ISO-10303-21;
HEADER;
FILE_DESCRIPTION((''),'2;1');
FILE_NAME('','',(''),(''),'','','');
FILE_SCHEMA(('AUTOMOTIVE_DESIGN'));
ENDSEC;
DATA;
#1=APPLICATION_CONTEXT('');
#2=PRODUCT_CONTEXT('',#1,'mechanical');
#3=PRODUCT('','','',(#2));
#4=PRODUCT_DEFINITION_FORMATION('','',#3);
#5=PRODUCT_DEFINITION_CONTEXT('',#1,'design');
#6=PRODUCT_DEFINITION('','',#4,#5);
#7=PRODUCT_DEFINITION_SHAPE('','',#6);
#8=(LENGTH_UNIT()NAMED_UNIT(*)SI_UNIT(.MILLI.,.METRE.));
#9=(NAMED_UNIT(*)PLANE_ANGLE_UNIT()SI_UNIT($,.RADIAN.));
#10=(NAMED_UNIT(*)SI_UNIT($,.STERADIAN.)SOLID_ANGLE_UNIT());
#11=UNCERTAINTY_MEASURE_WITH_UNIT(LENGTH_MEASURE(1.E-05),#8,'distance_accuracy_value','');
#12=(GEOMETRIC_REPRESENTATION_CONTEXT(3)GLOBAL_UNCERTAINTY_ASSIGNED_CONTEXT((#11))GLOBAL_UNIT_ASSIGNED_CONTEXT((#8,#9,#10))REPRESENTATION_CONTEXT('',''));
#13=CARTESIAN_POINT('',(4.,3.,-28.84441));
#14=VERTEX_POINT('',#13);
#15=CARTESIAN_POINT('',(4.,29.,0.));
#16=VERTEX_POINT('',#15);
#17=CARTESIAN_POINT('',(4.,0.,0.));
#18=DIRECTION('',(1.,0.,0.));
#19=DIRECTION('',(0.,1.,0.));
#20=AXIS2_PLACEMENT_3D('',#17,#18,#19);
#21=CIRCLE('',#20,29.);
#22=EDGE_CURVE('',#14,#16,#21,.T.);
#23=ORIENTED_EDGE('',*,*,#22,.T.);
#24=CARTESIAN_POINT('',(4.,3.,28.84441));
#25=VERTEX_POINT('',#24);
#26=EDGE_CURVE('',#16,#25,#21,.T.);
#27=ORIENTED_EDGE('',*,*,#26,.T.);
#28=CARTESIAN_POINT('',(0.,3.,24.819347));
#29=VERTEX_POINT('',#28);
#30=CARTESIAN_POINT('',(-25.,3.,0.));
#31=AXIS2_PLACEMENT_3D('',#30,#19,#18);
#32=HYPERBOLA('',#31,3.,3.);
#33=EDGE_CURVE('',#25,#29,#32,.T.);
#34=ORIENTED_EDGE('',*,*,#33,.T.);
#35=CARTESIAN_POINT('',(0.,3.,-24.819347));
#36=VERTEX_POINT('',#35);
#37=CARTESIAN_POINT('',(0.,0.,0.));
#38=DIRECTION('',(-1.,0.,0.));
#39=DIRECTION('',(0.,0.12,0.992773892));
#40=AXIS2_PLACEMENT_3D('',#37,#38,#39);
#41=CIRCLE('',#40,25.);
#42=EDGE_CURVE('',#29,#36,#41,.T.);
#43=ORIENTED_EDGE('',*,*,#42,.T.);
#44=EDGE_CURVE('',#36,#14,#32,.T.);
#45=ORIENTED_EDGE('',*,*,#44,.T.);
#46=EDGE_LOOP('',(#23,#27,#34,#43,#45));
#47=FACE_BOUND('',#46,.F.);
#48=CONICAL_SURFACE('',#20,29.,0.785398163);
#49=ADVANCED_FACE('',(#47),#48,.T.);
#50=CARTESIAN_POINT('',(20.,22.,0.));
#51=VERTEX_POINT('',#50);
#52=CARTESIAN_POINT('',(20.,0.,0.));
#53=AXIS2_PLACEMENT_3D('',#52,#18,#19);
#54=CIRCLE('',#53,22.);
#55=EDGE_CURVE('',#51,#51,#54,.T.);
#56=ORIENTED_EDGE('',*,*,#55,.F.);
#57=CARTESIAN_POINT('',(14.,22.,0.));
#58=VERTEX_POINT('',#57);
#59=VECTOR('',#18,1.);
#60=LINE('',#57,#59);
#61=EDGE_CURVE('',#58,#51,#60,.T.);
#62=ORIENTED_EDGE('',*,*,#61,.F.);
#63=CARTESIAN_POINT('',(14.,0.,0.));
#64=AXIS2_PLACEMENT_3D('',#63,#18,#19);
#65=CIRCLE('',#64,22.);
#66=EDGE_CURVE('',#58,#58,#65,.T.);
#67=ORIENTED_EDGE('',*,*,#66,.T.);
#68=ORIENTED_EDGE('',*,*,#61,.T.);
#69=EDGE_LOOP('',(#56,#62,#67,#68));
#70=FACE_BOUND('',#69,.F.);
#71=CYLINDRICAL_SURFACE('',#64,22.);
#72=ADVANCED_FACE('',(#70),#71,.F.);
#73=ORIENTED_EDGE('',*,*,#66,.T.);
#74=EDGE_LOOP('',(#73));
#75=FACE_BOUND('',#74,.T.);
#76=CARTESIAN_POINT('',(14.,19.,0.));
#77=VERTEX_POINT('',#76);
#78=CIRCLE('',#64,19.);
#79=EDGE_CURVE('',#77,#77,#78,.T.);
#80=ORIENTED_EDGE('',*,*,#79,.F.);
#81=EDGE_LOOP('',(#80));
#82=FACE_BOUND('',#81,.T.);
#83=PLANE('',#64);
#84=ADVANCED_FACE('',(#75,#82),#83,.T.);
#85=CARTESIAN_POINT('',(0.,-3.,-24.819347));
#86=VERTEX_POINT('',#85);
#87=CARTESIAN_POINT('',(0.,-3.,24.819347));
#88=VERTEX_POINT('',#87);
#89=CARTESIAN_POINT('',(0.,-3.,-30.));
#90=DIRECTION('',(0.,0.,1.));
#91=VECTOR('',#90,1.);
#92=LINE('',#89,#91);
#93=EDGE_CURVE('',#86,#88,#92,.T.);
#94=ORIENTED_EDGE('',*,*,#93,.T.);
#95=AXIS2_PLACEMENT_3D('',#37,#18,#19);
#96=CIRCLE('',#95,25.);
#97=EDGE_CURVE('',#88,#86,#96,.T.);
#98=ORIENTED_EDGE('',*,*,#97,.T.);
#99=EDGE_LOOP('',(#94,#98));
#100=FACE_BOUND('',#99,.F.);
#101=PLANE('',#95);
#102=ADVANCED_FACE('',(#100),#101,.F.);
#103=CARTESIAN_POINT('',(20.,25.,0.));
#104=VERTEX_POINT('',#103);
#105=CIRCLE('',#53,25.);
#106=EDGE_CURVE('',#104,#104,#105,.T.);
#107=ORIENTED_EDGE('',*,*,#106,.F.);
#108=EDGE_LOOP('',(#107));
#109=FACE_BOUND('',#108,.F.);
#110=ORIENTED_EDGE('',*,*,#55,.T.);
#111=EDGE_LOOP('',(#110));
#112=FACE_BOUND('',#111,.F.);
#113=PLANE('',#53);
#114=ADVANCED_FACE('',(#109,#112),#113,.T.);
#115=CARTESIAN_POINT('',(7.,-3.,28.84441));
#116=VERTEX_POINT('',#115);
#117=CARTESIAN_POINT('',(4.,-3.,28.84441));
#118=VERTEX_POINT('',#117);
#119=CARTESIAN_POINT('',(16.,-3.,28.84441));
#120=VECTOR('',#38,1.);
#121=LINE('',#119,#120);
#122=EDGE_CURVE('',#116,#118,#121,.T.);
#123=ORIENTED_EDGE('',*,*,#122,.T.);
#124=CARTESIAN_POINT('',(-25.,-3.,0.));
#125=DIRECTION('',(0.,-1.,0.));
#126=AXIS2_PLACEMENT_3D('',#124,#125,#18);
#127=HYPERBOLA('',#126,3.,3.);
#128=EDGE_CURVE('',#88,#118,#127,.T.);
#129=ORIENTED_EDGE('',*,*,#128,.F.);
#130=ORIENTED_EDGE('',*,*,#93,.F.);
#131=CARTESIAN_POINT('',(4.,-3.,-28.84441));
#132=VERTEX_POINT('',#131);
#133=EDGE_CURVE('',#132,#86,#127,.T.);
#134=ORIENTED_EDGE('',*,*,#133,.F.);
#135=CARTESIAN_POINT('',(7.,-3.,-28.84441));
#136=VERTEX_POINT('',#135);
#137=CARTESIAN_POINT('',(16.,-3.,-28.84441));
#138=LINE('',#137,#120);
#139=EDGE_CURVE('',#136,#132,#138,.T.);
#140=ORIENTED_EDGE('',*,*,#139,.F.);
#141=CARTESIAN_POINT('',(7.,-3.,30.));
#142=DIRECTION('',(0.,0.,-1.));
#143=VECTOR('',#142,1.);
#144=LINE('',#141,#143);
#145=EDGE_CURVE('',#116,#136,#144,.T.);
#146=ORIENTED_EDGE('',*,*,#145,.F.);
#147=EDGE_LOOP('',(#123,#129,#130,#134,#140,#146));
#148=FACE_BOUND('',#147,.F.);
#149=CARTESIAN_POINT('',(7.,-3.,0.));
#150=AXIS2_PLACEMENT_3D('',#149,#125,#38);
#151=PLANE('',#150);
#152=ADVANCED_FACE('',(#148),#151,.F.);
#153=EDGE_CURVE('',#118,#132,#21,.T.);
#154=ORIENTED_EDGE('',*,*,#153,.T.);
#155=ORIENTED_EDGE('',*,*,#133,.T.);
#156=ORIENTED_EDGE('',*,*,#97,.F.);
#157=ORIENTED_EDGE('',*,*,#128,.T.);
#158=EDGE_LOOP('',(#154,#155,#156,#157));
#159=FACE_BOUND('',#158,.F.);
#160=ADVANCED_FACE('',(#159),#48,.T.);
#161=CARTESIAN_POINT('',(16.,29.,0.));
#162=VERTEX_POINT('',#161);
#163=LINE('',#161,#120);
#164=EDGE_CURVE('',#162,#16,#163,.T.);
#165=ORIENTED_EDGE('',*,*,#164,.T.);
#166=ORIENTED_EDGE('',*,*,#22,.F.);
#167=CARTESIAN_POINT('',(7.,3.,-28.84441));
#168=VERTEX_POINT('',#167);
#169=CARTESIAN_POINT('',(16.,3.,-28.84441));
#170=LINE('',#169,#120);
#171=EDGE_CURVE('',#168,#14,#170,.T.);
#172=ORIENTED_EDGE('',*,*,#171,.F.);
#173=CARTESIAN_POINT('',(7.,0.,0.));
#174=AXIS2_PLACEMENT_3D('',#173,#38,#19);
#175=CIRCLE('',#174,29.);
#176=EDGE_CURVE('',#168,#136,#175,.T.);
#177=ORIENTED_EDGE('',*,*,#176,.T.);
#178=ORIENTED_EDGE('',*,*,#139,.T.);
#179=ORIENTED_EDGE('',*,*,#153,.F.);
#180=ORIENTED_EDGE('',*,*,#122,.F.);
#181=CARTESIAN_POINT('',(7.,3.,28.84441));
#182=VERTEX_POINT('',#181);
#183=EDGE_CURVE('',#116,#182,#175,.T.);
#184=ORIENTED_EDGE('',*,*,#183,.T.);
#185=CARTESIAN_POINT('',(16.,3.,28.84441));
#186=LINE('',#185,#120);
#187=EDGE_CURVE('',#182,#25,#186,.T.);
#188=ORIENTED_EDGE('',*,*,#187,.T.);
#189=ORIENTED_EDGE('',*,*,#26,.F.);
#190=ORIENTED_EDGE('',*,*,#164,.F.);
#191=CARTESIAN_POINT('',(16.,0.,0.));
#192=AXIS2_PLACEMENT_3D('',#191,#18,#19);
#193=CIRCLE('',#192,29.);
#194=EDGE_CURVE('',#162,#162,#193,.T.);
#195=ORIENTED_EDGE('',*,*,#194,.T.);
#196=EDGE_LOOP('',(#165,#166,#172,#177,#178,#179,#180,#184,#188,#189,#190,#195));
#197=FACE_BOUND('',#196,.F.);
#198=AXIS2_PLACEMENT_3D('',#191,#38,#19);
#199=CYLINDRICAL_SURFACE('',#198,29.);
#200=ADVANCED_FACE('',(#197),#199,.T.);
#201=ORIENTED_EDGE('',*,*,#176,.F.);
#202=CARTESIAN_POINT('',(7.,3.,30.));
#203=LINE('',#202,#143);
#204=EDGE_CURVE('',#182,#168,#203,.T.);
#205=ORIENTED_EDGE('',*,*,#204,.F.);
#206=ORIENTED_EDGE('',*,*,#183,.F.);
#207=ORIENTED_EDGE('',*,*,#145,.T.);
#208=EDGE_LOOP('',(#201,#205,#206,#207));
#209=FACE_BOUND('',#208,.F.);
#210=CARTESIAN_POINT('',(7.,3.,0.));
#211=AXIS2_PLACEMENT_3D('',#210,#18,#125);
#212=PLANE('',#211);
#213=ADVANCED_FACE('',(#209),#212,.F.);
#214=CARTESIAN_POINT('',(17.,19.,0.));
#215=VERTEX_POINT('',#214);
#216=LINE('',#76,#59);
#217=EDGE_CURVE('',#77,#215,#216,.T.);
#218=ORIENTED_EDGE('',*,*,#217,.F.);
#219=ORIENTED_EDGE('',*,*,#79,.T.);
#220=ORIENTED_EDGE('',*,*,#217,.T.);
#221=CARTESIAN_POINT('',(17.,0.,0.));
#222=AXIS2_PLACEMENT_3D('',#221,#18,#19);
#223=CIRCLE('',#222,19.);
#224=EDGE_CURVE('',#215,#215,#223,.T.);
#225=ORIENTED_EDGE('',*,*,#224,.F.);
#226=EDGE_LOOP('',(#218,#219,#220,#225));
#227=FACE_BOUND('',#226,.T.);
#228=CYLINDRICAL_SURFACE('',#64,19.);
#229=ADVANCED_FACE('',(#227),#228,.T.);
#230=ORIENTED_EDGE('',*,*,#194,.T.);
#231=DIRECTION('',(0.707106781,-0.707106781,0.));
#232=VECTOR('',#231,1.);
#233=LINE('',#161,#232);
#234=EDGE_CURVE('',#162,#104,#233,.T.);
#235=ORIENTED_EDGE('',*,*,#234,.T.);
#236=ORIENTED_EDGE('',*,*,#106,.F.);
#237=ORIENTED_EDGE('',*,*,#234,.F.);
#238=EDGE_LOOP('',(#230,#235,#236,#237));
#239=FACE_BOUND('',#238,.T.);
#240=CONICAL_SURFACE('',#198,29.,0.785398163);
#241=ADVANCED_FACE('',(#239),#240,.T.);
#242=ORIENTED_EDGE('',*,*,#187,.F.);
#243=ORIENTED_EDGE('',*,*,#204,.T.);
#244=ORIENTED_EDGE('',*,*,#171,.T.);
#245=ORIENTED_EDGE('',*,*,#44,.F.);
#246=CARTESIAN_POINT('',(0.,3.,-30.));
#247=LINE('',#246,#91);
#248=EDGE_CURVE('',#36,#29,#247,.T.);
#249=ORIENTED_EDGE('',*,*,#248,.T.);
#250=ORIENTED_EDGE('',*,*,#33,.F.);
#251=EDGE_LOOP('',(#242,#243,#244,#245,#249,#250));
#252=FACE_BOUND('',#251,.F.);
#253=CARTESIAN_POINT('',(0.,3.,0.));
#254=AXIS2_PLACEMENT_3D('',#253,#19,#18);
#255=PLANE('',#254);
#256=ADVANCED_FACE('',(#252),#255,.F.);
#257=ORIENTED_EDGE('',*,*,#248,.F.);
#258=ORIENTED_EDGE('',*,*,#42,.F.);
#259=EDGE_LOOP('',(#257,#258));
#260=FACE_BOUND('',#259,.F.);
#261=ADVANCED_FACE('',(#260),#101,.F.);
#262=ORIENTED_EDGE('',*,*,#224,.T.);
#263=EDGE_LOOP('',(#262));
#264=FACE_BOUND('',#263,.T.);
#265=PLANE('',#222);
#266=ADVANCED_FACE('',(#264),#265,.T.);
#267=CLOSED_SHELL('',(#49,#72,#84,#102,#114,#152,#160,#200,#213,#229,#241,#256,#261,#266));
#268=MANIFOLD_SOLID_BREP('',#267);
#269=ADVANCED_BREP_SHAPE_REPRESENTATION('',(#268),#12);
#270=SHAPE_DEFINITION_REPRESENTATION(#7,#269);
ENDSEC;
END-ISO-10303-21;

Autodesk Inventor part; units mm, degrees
ref_plane "YZ Plane" through (0, 0, 0) normal (1, 0, 0) x (0, 1, 0)
ref_plane "XZ Plane" through (0, 0, 0) normal (0, 1, 0) x (-1, 0, 0)
ref_plane "XY Plane" through (0, 0, 0) normal (0, 0, 1) x (1, 0, 0)
sketch "Эскиз1" plane through (0, 0, 0) normal (0, 0, 1) x (1, 0, 0)
  line L0 (0, 0) -> (20, 0)
  line L1 (20, 0) -> (20, 25)
  line L2 (16, 29) -> (4, 29)
  line L3 (0, 25) -> (0, 0)
  line L4 (4, 29) -> (0, 25)
  line L5 (16, 29) -> (20, 25)
  point P0 (20, 29)
  point P1 (0, 29)
  dimension "d14" = 20
  dimension "d15" = 29
  dimension "d16" = 4
  dimension "d17" = 4
  dimension "d18" = 4
  dimension "d19" = 4
revolve "Вращение3" add sketch "Эскиз1" angle 360 about axis through (0, 0, 0) along (1, 0, 0)
sketch "Эскиз3" plane through (0, 0, 0) normal (0, 0, 1) x (1, 0, 0)
  line L0 (20, -25) -> (20, 25) construction
  line L1 (20, 0) -> (20, 22)
  line L2 (14, 22) -> (20, 22)
  line L3 (14, 22) -> (14, 19)
  line L4 (14, 19) -> (17, 19)
  line L5 (17, 19) -> (17, 0)
  line L6 (17, 0) -> (20, 0)
  point P0 (0, 0)
  dimension "d21" = 22
  dimension "d22" = 19
  dimension "d23" = 6
  dimension "d24" = 3
revolve "Вращение4" cut sketch "Эскиз3" angle 360 about axis through (17, 0, 0) along (1, 0, 0)
sketch "Эскиз4" plane through (0, 0, 0) normal (0, 0, 1) x (1, 0, 0)
  line L0 (0, -25) -> (0, 25) construction
  line L1 (0, 3) -> (7, 3)
  line L2 (7, 3) -> (7, -3)
  line L3 (7, -3) -> (0, -3)
  line L4 (0, -3) -> (0, 3)
  point P0 (0, 0)
  point P1 (0, 0)
  point P2 (0, 0)
  dimension "d26" = 7
  dimension "d27" = 6
extrude "Выдавливание1" cut sketch "Эскиз4" along normal through all both and the other way through all
equation "\"d17\" = d16"
equation "\"d18\" = d16"
equation "\"d19\" = d18"
properties part number "711127"
